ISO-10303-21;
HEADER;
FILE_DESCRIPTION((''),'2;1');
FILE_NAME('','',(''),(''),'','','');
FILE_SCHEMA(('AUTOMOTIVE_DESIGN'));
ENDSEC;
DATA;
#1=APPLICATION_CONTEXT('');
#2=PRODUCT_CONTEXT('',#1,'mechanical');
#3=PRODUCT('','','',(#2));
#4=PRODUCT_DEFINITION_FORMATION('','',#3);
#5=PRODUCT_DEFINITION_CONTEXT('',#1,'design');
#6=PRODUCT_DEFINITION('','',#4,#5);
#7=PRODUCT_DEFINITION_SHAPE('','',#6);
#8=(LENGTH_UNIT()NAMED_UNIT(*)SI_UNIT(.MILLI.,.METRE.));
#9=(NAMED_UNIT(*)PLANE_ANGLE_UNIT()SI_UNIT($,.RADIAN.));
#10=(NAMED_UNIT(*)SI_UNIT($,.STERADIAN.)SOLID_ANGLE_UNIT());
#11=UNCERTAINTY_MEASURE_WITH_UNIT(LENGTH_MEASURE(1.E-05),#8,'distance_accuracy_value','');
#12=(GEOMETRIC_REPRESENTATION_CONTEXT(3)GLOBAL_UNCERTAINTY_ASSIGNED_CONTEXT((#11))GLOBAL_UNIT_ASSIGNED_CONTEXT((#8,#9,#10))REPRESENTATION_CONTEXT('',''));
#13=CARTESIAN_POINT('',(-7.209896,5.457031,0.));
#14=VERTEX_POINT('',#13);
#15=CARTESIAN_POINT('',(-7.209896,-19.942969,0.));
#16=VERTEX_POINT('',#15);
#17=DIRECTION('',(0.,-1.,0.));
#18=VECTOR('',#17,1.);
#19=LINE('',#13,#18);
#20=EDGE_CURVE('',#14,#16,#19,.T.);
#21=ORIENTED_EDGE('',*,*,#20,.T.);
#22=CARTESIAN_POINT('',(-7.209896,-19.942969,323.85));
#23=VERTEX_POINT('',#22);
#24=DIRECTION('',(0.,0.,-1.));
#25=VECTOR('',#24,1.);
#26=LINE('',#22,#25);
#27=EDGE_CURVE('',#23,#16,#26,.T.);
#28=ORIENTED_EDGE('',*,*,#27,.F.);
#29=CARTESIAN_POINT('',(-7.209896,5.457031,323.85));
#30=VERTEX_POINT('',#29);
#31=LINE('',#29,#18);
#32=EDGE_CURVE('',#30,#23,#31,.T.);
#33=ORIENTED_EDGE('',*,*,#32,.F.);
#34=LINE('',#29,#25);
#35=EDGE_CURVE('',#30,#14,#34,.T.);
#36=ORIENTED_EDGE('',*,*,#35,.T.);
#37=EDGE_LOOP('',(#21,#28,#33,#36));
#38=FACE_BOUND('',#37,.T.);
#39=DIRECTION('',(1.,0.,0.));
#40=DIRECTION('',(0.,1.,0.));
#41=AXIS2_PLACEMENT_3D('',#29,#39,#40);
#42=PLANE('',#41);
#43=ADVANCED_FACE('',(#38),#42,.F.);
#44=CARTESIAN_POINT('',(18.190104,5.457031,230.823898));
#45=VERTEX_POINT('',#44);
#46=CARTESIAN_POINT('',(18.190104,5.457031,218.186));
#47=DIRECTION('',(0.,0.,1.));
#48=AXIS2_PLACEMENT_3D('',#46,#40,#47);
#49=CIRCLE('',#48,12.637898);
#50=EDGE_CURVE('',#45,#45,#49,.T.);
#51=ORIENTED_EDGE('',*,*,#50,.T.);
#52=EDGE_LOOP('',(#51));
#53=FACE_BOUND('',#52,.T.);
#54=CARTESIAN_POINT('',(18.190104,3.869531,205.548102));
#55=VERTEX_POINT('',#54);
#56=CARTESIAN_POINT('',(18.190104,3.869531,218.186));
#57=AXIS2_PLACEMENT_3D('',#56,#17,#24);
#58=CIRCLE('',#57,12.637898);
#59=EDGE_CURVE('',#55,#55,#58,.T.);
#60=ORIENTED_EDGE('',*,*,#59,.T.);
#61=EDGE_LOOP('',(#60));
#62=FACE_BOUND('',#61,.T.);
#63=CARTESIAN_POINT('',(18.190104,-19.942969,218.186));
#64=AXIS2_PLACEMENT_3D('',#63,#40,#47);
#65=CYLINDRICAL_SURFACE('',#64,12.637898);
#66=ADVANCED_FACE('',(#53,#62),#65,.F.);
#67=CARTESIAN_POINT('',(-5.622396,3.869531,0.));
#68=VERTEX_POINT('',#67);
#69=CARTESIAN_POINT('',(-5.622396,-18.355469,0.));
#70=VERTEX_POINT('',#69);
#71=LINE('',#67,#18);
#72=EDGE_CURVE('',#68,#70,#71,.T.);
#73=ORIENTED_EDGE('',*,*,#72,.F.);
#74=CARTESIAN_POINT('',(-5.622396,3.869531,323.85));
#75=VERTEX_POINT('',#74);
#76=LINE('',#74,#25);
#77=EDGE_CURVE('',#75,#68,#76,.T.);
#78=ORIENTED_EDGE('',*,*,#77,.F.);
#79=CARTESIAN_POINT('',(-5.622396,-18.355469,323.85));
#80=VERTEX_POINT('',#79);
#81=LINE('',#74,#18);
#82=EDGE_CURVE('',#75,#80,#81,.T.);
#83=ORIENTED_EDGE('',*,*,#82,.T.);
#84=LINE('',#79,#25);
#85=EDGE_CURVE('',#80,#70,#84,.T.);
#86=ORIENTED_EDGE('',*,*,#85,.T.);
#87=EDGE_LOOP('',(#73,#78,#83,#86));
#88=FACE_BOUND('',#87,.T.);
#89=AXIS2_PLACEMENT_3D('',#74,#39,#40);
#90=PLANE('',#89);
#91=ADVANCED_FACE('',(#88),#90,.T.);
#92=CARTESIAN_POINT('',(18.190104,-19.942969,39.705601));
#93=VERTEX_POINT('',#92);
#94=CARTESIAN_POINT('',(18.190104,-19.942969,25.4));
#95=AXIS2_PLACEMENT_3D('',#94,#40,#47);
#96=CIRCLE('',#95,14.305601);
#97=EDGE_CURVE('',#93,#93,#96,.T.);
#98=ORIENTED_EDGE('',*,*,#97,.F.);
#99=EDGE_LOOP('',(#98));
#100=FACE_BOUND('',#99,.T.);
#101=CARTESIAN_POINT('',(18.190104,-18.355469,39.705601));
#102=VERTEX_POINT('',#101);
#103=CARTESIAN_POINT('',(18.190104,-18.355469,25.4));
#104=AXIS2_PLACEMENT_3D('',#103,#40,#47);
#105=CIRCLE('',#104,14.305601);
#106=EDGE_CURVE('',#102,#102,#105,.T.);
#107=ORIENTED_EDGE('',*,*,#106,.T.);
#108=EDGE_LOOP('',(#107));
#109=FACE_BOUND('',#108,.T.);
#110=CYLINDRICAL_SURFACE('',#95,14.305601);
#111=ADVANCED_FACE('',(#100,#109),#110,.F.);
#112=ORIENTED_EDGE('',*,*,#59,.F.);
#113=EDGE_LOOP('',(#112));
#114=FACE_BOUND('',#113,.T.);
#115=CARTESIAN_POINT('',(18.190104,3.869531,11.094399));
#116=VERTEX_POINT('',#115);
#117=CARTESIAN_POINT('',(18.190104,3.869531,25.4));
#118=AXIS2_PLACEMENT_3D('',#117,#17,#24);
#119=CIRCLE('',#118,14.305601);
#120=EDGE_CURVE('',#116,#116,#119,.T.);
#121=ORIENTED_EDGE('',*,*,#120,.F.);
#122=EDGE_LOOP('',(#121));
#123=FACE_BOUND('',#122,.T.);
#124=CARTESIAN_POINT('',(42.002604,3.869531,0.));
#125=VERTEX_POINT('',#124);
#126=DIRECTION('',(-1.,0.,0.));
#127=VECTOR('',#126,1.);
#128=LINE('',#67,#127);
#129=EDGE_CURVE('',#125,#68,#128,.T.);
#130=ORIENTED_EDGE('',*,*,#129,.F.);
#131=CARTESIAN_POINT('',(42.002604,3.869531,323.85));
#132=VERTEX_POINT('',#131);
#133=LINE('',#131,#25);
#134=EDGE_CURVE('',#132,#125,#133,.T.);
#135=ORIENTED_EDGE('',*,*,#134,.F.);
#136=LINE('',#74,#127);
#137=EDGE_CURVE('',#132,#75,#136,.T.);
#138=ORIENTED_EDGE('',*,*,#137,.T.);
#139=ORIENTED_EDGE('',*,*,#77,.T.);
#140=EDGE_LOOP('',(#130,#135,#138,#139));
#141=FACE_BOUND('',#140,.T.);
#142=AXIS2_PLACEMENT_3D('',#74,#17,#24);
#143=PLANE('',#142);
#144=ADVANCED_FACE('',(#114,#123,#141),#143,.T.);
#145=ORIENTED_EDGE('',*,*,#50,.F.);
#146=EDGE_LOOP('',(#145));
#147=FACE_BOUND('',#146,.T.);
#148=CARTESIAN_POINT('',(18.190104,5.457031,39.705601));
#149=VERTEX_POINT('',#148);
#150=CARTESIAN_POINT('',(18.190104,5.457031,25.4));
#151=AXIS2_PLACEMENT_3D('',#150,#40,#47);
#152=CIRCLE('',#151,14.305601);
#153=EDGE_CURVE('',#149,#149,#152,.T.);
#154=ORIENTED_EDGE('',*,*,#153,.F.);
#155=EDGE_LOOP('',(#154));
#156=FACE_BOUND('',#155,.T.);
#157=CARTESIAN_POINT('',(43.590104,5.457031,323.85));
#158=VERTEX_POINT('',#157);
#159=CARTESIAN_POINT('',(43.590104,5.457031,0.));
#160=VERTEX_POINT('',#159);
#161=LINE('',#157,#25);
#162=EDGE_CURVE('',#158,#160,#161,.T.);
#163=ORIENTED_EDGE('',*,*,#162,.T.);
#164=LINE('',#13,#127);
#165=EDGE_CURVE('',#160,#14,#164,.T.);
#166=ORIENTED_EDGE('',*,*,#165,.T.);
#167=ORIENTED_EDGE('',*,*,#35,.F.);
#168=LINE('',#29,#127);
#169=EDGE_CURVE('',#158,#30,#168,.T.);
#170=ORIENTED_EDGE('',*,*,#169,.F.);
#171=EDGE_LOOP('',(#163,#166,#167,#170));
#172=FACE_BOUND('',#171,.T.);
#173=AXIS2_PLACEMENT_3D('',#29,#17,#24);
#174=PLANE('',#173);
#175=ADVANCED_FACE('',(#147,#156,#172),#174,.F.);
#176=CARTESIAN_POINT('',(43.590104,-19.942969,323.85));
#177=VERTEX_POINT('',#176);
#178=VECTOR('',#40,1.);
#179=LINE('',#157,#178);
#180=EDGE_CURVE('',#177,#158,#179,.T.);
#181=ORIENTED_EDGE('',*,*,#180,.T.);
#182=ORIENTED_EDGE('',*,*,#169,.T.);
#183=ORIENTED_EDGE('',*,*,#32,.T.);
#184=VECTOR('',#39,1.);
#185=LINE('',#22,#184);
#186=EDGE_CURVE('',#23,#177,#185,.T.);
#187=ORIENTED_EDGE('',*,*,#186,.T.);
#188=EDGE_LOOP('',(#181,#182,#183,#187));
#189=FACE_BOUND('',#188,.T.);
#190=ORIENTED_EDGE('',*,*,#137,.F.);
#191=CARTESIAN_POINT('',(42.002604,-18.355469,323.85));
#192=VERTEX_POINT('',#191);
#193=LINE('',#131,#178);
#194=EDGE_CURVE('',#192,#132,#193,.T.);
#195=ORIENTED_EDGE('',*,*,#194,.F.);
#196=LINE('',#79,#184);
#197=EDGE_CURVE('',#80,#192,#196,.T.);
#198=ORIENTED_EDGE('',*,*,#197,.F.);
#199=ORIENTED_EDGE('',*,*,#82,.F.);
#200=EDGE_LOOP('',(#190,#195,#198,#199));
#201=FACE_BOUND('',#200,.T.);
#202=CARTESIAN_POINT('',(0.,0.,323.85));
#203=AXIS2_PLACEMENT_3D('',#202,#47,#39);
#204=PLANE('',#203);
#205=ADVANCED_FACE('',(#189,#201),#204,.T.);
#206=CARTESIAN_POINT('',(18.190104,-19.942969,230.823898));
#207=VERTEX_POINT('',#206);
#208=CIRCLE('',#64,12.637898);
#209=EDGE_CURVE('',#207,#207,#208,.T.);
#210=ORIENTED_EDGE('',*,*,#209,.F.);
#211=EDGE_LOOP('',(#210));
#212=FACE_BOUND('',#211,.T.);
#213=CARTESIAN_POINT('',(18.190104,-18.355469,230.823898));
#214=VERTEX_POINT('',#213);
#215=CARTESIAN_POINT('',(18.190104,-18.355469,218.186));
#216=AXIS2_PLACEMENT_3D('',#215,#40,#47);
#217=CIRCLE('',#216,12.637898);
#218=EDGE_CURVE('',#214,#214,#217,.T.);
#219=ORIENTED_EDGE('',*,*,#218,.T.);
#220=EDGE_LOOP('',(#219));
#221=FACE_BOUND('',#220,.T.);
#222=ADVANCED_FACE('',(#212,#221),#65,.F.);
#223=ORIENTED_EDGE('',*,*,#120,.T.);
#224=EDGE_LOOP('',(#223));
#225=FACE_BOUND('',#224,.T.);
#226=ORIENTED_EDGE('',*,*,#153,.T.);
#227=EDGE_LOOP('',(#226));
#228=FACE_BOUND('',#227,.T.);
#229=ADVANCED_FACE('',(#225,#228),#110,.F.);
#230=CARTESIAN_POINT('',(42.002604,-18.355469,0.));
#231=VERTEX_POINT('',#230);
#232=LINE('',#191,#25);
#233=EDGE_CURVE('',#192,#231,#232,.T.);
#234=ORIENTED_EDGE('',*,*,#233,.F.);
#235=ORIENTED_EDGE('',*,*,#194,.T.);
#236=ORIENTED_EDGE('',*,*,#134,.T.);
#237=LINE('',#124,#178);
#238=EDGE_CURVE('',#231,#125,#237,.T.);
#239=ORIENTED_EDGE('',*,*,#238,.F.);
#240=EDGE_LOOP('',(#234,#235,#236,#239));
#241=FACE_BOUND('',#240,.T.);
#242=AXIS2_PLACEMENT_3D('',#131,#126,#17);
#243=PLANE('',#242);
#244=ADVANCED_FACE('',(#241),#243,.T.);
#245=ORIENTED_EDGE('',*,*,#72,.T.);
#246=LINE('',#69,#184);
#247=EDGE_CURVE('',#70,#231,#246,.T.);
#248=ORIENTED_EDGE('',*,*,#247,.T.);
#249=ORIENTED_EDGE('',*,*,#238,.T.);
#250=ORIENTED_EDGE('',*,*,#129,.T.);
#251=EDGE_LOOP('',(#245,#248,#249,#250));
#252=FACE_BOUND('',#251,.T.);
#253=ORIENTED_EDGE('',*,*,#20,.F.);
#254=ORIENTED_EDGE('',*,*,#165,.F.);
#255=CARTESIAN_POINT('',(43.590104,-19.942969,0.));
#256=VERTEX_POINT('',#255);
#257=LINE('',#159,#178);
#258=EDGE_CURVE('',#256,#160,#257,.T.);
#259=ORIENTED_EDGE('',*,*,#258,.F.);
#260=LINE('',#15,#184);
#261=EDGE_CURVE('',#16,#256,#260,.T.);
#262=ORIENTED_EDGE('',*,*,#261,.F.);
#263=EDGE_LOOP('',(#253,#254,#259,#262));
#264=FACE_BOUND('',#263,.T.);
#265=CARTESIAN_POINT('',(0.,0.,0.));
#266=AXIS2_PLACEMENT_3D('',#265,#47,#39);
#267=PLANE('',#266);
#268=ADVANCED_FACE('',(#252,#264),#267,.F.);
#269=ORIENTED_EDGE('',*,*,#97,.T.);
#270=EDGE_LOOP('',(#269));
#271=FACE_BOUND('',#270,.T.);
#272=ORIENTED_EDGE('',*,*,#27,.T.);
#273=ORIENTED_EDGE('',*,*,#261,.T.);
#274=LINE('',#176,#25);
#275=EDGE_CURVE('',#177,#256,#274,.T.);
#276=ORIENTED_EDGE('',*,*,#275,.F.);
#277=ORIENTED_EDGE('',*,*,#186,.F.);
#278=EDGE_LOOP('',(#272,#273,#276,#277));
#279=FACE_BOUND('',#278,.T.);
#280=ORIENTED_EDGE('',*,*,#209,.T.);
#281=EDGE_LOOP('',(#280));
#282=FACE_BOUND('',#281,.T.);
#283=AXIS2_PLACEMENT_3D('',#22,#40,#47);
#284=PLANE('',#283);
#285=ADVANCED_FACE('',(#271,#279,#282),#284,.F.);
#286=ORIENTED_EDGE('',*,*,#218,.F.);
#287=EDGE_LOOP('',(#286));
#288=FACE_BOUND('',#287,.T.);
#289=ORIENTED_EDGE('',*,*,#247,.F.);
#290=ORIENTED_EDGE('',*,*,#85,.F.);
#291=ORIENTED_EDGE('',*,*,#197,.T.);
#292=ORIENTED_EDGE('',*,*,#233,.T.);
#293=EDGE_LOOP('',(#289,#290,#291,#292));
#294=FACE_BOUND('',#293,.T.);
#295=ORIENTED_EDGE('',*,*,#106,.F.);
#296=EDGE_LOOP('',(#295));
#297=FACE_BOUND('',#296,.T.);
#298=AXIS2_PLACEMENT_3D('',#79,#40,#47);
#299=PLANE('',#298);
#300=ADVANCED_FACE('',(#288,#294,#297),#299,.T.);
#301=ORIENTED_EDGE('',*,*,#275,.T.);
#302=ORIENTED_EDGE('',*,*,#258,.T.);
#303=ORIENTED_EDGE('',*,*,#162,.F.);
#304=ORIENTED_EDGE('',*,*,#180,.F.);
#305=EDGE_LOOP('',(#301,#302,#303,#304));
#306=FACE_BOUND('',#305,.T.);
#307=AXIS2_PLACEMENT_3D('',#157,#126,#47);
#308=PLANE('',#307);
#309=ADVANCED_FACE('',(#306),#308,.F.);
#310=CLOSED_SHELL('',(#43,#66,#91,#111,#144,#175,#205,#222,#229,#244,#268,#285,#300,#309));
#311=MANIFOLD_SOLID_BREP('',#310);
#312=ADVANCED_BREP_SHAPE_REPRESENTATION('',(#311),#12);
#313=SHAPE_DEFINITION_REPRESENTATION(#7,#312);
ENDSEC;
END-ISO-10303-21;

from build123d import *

# Parameters (mm, degrees)
SKETCH1_W           = 50.8
SKETCH1_H           = 25.4
SKETCH1_W_2         = 47.625
SKETCH1_H_2         = 22.225
BOSS_EXTRUDE1_DEPTH = 323.85
SKETCH2_R           = 14.305600685
CUT_EXTRUDE1_DEPTH  = 26.4
SKETCH4_R           = 12.637898421
CUT_EXTRUDE3_DEPTH  = 26.4


with BuildPart() as part:
    # Sketch1 → Boss-Extrude1 (new body)
    with BuildSketch(Plane.XY):
        with Locations((18.190104167, -7.24296875)):
            Rectangle(SKETCH1_W, SKETCH1_H)
        with Locations((18.190104167, -7.24296875)):
            Rectangle(SKETCH1_W_2, SKETCH1_H_2, mode=Mode.SUBTRACT)
    extrude(amount=BOSS_EXTRUDE1_DEPTH)

    # Sketch2 → Cut-Extrude1 (cut, through all)
    with BuildSketch(Plane(origin=(0, 5.45703125, 0), x_dir=(1, 0, 0), z_dir=(0, 1, 0))):
        with Locations((18.190104167, -25.4)):
            Circle(SKETCH2_R)
    extrude(amount=-CUT_EXTRUDE1_DEPTH, mode=Mode.SUBTRACT)

    # Sketch4 → Cut-Extrude3 (cut, through all)
    with BuildSketch(Plane(origin=(0, 5.45703125, 0), x_dir=(1, 0, 0), z_dir=(0, 1, 0))):
        with Locations((18.190104167, -218.186)):
            Circle(SKETCH4_R)
    extrude(amount=-CUT_EXTRUDE3_DEPTH, mode=Mode.SUBTRACT)


solid = part.part
